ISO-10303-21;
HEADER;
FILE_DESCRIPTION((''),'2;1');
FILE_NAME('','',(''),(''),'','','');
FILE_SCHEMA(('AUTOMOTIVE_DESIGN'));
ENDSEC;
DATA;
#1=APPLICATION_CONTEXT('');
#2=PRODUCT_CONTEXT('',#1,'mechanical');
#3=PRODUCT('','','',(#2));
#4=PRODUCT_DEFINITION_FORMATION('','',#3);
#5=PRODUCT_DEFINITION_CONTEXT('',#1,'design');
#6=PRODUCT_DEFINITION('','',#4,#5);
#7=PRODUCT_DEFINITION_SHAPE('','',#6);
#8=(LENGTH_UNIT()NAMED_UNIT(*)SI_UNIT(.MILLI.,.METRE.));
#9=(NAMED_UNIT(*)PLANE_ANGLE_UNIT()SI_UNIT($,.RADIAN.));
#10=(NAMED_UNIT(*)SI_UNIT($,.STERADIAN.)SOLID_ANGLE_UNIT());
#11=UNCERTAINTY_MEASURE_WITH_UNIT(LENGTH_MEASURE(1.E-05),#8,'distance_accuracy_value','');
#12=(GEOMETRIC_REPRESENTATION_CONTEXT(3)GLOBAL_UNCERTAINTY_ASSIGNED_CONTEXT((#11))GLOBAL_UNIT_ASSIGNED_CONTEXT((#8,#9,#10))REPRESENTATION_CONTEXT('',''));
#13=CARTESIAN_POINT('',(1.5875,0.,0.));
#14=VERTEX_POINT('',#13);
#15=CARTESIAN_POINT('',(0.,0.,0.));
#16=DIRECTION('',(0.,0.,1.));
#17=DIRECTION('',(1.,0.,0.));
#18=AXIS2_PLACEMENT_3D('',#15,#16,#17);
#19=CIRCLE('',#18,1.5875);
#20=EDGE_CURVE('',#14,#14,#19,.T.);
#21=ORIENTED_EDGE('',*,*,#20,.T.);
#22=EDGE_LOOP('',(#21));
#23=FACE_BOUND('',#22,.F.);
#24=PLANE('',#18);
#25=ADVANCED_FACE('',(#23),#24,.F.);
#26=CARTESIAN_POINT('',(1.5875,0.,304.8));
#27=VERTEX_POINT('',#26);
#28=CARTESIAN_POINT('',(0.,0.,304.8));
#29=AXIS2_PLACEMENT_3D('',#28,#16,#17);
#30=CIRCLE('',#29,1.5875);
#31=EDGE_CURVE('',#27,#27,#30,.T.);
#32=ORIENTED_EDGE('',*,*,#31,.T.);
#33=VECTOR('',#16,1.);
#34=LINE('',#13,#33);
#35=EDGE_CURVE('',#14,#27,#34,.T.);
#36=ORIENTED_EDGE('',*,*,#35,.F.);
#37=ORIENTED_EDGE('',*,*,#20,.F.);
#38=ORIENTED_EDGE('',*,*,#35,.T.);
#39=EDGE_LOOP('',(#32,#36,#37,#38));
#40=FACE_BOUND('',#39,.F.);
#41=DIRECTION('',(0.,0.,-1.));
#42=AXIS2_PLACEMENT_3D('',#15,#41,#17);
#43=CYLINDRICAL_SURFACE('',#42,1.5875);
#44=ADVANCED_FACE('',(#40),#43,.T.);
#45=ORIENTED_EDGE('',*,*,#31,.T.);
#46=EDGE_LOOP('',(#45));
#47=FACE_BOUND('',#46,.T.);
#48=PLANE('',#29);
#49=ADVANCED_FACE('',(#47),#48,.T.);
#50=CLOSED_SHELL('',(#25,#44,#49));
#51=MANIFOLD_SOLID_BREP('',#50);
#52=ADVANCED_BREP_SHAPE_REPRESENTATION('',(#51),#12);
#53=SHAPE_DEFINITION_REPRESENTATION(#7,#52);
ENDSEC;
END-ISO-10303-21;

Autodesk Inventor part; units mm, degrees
ref_plane "YZ Plane" through (0, 0, 0) normal (1, 0, 0) x (0, 1, 0)
ref_plane "XZ Plane" through (0, 0, 0) normal (0, 1, 0) x (-1, 0, 0)
ref_plane "XY Plane" through (0, 0, 0) normal (0, 0, 1) x (1, 0, 0)
sketch "Sketch1" plane through (0, 0, 0) normal (0, 0, 1) x (1, 0, 0)
  circle A0 centre (0, 0) radius 1.5875
  dimension "d0" = 3.175
extrude "Extrusion1" add sketch "Sketch1" along normal blind 304.8
properties part number "rod" material "UHMW, Black"
